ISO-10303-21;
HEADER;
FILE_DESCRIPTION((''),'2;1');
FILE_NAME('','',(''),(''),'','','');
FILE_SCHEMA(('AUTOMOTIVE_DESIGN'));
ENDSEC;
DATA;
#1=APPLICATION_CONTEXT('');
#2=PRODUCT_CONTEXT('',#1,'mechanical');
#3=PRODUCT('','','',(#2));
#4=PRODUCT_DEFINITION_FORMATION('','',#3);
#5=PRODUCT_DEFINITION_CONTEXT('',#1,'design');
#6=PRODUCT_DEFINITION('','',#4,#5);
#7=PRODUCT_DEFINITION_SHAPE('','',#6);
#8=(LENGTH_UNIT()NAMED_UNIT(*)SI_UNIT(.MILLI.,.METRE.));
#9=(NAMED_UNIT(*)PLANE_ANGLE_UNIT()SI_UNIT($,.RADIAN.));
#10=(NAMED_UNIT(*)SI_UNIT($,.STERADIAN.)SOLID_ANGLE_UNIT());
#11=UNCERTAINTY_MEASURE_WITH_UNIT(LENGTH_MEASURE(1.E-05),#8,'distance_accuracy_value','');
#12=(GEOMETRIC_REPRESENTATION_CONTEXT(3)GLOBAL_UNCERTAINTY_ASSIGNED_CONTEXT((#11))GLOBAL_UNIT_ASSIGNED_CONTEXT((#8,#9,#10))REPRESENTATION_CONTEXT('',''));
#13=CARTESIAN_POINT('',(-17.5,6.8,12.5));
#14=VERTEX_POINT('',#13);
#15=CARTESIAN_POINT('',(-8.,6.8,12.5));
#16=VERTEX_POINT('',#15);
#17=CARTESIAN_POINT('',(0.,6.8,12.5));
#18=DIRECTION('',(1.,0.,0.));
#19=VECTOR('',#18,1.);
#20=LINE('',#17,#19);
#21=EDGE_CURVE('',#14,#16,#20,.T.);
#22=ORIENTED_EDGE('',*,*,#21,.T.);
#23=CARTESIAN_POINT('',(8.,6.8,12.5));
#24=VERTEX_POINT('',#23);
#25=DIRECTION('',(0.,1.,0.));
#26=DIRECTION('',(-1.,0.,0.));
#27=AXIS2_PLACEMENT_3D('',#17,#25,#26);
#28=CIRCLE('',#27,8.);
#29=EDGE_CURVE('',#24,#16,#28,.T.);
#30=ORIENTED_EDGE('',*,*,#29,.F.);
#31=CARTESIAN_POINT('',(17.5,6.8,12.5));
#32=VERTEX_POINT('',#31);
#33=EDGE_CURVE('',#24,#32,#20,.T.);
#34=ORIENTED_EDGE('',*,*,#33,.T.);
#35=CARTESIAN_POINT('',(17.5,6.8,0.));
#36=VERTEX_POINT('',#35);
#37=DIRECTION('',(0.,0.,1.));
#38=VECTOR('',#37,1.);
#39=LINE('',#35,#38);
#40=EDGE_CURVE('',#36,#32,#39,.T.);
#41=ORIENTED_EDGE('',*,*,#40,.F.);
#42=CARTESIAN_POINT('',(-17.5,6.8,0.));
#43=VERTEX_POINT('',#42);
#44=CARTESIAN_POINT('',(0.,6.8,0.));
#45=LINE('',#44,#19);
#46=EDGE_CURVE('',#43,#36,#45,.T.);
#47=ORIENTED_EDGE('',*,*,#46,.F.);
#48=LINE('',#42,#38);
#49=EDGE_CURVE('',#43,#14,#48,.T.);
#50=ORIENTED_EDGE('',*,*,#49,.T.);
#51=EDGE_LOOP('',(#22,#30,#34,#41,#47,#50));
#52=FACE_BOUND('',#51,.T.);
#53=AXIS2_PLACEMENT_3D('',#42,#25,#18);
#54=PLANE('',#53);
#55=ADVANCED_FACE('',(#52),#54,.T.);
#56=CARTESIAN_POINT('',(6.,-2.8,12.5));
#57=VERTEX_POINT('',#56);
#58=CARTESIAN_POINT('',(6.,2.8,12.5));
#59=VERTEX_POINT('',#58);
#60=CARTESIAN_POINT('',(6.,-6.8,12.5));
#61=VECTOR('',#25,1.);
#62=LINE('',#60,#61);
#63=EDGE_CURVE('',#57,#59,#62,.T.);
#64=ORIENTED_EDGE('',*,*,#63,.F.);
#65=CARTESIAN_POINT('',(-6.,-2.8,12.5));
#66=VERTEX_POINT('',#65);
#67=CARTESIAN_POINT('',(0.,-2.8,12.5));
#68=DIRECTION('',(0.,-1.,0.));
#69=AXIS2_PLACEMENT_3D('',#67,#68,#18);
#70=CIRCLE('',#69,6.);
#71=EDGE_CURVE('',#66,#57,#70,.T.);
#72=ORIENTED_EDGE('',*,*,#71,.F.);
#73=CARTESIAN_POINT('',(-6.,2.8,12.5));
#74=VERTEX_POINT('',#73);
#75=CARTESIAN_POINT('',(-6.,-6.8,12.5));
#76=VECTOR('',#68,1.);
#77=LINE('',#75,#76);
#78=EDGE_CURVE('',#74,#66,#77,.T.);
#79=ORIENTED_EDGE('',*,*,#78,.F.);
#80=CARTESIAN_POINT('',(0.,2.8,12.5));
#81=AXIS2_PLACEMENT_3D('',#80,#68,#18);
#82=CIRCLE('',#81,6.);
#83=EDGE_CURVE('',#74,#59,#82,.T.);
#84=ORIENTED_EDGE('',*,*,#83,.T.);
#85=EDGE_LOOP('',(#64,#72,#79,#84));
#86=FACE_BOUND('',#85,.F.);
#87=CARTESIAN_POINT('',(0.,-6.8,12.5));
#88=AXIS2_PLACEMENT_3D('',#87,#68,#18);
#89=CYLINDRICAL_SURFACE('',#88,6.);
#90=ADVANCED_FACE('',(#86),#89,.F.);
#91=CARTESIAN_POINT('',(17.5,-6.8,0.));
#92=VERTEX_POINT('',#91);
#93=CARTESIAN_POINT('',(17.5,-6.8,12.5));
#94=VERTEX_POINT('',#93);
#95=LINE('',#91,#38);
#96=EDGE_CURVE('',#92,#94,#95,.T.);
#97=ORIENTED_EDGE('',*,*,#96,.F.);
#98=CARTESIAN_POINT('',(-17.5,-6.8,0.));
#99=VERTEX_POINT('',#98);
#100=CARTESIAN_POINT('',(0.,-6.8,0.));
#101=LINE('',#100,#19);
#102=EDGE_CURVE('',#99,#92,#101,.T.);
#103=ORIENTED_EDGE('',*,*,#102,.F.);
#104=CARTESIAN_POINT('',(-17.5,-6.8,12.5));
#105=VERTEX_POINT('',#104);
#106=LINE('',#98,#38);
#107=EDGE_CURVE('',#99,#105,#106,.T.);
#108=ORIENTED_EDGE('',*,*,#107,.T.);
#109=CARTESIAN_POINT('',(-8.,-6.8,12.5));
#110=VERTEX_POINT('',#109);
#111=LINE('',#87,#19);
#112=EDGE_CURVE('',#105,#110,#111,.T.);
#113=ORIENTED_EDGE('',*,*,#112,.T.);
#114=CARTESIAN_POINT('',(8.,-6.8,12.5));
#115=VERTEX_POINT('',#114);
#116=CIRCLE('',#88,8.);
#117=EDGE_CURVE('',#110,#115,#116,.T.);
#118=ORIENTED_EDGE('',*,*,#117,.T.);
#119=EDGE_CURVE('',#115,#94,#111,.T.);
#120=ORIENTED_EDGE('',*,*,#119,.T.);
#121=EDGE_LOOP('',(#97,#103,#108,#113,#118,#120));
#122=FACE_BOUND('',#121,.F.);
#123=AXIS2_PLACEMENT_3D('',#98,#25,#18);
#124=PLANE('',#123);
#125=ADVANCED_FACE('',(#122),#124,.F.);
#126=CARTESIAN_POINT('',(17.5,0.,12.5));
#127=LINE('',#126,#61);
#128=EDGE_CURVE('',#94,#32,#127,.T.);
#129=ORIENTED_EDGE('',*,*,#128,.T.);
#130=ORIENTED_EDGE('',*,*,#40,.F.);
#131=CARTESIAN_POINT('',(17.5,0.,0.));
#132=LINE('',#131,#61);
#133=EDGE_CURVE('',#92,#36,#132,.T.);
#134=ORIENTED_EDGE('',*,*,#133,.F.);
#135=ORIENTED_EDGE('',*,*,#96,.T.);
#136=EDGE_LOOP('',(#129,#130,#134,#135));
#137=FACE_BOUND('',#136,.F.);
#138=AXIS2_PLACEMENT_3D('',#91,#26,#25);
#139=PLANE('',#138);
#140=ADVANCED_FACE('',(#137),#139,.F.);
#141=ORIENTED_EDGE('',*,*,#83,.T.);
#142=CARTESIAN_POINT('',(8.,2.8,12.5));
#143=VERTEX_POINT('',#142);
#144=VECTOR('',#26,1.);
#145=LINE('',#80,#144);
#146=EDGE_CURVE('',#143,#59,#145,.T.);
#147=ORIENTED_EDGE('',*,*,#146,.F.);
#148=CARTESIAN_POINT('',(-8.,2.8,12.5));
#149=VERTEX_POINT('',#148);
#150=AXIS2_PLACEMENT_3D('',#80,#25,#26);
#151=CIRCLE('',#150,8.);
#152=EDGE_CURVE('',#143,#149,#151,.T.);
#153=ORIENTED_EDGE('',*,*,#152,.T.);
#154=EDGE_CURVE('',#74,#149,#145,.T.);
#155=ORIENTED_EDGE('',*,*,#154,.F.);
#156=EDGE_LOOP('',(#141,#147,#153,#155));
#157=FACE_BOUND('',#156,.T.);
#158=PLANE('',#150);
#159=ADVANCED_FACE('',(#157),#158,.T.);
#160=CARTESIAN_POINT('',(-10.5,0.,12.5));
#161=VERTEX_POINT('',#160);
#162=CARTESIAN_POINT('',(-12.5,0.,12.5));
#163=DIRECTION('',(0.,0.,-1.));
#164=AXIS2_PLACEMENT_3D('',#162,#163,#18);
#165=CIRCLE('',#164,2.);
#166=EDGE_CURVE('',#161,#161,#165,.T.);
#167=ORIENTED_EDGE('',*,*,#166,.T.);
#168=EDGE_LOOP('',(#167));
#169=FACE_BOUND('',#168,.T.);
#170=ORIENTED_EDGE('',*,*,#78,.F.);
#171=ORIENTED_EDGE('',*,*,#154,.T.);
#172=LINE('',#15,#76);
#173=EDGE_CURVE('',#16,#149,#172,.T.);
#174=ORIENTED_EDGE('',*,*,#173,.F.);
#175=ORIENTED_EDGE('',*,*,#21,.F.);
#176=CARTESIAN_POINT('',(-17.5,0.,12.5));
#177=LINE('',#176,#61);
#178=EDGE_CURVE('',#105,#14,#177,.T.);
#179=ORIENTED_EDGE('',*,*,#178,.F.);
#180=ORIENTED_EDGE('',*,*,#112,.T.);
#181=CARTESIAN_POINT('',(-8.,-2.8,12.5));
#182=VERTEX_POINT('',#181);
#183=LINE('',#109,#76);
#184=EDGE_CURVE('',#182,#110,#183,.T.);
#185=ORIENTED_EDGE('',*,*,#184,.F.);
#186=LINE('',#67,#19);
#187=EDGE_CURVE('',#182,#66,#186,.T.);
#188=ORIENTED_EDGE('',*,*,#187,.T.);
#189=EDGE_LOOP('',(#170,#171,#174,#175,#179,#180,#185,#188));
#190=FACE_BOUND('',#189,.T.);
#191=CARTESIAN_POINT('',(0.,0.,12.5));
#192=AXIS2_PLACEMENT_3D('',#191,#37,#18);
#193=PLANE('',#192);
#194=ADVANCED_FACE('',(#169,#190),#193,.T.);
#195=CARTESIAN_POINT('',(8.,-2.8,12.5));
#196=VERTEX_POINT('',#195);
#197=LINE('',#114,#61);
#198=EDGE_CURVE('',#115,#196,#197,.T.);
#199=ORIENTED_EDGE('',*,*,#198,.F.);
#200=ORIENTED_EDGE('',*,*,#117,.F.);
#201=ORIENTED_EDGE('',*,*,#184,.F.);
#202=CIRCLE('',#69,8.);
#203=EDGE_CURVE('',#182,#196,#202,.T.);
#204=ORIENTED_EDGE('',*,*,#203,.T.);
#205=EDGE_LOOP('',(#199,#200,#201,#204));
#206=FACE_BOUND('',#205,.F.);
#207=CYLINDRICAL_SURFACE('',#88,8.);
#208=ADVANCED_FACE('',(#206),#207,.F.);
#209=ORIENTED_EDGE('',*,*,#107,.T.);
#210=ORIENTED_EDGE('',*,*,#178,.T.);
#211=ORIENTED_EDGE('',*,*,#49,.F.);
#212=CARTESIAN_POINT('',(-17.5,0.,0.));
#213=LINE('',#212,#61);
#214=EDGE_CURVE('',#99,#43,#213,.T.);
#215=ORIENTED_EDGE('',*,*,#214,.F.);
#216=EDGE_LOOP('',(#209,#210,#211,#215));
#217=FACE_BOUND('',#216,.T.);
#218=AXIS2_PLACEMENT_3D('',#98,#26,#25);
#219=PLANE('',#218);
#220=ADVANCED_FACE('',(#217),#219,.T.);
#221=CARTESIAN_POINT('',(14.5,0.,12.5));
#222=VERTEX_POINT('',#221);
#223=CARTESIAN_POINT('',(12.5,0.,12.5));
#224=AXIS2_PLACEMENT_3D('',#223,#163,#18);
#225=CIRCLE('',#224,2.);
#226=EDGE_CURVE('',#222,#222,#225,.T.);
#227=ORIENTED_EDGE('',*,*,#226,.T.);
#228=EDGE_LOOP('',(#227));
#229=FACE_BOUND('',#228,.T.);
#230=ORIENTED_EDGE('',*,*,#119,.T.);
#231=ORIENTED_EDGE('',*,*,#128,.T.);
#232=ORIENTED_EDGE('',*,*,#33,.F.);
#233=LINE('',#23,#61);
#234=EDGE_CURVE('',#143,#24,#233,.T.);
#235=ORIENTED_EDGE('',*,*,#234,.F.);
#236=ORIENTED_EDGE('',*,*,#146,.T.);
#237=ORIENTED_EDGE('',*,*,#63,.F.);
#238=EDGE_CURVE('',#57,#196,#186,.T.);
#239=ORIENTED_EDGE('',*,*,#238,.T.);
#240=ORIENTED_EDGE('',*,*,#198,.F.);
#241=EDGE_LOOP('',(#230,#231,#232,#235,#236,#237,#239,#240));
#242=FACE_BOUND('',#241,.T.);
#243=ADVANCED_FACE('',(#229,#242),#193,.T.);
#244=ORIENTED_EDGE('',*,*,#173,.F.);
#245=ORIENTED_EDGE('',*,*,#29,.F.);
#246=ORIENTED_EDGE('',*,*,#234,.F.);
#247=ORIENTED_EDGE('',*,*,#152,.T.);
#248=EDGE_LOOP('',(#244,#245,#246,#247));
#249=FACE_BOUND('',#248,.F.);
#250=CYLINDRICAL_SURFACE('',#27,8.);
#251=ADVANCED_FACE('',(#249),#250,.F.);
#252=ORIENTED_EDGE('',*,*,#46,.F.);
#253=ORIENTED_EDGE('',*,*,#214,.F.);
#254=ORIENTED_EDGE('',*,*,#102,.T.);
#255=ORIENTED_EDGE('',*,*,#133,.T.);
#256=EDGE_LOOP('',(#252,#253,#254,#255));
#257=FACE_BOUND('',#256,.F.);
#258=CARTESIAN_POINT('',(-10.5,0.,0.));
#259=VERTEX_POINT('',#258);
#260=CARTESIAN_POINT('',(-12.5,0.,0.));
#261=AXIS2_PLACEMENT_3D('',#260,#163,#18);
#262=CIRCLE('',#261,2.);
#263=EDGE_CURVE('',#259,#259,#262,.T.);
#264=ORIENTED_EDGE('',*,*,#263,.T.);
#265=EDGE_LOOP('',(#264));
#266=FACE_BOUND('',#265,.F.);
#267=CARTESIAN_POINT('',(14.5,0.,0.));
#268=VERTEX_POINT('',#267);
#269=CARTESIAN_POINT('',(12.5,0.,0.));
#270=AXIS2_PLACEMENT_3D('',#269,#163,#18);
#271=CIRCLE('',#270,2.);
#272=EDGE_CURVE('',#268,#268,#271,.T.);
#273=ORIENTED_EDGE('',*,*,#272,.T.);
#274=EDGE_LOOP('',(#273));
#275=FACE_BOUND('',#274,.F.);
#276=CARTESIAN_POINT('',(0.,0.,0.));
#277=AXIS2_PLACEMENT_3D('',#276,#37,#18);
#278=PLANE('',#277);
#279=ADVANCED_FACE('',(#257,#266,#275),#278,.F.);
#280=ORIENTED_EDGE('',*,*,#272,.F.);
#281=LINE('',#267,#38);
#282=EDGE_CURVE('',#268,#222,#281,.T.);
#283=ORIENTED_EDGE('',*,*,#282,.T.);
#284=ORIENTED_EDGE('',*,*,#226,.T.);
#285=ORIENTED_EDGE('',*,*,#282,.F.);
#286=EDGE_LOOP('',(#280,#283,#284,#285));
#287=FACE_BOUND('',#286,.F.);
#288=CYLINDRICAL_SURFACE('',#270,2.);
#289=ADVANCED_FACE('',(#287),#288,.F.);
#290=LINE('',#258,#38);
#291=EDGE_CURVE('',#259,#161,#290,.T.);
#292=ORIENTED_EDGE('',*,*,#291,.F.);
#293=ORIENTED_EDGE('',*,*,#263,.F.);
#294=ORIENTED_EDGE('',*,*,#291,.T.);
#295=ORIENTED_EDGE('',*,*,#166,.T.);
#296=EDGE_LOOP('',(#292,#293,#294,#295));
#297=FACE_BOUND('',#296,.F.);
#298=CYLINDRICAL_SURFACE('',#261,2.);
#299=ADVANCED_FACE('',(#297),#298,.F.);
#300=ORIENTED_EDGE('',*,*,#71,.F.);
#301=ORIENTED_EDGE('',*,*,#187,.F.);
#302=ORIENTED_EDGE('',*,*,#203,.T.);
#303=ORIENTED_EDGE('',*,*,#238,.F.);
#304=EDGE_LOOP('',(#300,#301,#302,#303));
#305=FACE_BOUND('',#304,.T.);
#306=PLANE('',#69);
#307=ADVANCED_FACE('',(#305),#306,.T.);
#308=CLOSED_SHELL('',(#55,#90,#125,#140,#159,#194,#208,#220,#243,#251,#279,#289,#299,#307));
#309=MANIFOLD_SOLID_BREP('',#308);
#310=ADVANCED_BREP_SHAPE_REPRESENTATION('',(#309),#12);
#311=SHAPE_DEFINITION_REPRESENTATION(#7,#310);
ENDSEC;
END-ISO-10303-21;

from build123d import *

# Parameters (mm, degrees)
SKETCH_W        = 35
SKETCH_H        = 13.6
PAD_DEPTH       = 12.5
SKETCH001_R     = 6
POCKET_DEPTH    = 13.601
SKETCH002_R     = 2
POCKET001_DEPTH = 12.501
SKETCH003_R     = 8
POCKET002_DEPTH = 4
SKETCH004_R     = 8
POCKET003_DEPTH = 4


with BuildPart() as part:
    # Sketch → Pad (new body)
    with BuildSketch(Plane.XY):
        Rectangle(SKETCH_W, SKETCH_H)
    extrude(amount=PAD_DEPTH)

    # Sketch001 (on Face3 of Pad) → Pocket (cut, through all)
    with BuildSketch(Plane.XZ.offset(6.8)):
        with Locations((0, 12.5)):
            Circle(SKETCH001_R)
    extrude(amount=-POCKET_DEPTH, mode=Mode.SUBTRACT)

    # Sketch002 (on Face2 of Pocket) → Pocket001 (cut, through all)
    with BuildSketch(Plane(origin=(0, 0, 0), x_dir=(1, 0, 0), z_dir=(0, 0, -1))):
        with Locations((-12.5, 0)):
            Circle(SKETCH002_R)
        with Locations((12.5, 0)):
            Circle(SKETCH002_R)
    extrude(amount=-POCKET001_DEPTH, mode=Mode.SUBTRACT)

    # Sketch003 (on Face8 of Pocket001) → Pocket002 (cut)
    with BuildSketch(Plane.XZ.offset(6.8)):
        with Locations((0, 12.5)):
            Circle(SKETCH003_R)
    extrude(amount=-POCKET002_DEPTH, mode=Mode.SUBTRACT)

    # Sketch004 (on Face1 of Pocket002) → Pocket003 (cut)
    with BuildSketch(Plane(origin=(0, 6.8, 0), x_dir=(-1, 0, 0), z_dir=(0, 1, 0))):
        with Locations((0, 12.5)):
            Circle(SKETCH004_R)
    extrude(amount=-POCKET003_DEPTH, mode=Mode.SUBTRACT)


solid = part.part
